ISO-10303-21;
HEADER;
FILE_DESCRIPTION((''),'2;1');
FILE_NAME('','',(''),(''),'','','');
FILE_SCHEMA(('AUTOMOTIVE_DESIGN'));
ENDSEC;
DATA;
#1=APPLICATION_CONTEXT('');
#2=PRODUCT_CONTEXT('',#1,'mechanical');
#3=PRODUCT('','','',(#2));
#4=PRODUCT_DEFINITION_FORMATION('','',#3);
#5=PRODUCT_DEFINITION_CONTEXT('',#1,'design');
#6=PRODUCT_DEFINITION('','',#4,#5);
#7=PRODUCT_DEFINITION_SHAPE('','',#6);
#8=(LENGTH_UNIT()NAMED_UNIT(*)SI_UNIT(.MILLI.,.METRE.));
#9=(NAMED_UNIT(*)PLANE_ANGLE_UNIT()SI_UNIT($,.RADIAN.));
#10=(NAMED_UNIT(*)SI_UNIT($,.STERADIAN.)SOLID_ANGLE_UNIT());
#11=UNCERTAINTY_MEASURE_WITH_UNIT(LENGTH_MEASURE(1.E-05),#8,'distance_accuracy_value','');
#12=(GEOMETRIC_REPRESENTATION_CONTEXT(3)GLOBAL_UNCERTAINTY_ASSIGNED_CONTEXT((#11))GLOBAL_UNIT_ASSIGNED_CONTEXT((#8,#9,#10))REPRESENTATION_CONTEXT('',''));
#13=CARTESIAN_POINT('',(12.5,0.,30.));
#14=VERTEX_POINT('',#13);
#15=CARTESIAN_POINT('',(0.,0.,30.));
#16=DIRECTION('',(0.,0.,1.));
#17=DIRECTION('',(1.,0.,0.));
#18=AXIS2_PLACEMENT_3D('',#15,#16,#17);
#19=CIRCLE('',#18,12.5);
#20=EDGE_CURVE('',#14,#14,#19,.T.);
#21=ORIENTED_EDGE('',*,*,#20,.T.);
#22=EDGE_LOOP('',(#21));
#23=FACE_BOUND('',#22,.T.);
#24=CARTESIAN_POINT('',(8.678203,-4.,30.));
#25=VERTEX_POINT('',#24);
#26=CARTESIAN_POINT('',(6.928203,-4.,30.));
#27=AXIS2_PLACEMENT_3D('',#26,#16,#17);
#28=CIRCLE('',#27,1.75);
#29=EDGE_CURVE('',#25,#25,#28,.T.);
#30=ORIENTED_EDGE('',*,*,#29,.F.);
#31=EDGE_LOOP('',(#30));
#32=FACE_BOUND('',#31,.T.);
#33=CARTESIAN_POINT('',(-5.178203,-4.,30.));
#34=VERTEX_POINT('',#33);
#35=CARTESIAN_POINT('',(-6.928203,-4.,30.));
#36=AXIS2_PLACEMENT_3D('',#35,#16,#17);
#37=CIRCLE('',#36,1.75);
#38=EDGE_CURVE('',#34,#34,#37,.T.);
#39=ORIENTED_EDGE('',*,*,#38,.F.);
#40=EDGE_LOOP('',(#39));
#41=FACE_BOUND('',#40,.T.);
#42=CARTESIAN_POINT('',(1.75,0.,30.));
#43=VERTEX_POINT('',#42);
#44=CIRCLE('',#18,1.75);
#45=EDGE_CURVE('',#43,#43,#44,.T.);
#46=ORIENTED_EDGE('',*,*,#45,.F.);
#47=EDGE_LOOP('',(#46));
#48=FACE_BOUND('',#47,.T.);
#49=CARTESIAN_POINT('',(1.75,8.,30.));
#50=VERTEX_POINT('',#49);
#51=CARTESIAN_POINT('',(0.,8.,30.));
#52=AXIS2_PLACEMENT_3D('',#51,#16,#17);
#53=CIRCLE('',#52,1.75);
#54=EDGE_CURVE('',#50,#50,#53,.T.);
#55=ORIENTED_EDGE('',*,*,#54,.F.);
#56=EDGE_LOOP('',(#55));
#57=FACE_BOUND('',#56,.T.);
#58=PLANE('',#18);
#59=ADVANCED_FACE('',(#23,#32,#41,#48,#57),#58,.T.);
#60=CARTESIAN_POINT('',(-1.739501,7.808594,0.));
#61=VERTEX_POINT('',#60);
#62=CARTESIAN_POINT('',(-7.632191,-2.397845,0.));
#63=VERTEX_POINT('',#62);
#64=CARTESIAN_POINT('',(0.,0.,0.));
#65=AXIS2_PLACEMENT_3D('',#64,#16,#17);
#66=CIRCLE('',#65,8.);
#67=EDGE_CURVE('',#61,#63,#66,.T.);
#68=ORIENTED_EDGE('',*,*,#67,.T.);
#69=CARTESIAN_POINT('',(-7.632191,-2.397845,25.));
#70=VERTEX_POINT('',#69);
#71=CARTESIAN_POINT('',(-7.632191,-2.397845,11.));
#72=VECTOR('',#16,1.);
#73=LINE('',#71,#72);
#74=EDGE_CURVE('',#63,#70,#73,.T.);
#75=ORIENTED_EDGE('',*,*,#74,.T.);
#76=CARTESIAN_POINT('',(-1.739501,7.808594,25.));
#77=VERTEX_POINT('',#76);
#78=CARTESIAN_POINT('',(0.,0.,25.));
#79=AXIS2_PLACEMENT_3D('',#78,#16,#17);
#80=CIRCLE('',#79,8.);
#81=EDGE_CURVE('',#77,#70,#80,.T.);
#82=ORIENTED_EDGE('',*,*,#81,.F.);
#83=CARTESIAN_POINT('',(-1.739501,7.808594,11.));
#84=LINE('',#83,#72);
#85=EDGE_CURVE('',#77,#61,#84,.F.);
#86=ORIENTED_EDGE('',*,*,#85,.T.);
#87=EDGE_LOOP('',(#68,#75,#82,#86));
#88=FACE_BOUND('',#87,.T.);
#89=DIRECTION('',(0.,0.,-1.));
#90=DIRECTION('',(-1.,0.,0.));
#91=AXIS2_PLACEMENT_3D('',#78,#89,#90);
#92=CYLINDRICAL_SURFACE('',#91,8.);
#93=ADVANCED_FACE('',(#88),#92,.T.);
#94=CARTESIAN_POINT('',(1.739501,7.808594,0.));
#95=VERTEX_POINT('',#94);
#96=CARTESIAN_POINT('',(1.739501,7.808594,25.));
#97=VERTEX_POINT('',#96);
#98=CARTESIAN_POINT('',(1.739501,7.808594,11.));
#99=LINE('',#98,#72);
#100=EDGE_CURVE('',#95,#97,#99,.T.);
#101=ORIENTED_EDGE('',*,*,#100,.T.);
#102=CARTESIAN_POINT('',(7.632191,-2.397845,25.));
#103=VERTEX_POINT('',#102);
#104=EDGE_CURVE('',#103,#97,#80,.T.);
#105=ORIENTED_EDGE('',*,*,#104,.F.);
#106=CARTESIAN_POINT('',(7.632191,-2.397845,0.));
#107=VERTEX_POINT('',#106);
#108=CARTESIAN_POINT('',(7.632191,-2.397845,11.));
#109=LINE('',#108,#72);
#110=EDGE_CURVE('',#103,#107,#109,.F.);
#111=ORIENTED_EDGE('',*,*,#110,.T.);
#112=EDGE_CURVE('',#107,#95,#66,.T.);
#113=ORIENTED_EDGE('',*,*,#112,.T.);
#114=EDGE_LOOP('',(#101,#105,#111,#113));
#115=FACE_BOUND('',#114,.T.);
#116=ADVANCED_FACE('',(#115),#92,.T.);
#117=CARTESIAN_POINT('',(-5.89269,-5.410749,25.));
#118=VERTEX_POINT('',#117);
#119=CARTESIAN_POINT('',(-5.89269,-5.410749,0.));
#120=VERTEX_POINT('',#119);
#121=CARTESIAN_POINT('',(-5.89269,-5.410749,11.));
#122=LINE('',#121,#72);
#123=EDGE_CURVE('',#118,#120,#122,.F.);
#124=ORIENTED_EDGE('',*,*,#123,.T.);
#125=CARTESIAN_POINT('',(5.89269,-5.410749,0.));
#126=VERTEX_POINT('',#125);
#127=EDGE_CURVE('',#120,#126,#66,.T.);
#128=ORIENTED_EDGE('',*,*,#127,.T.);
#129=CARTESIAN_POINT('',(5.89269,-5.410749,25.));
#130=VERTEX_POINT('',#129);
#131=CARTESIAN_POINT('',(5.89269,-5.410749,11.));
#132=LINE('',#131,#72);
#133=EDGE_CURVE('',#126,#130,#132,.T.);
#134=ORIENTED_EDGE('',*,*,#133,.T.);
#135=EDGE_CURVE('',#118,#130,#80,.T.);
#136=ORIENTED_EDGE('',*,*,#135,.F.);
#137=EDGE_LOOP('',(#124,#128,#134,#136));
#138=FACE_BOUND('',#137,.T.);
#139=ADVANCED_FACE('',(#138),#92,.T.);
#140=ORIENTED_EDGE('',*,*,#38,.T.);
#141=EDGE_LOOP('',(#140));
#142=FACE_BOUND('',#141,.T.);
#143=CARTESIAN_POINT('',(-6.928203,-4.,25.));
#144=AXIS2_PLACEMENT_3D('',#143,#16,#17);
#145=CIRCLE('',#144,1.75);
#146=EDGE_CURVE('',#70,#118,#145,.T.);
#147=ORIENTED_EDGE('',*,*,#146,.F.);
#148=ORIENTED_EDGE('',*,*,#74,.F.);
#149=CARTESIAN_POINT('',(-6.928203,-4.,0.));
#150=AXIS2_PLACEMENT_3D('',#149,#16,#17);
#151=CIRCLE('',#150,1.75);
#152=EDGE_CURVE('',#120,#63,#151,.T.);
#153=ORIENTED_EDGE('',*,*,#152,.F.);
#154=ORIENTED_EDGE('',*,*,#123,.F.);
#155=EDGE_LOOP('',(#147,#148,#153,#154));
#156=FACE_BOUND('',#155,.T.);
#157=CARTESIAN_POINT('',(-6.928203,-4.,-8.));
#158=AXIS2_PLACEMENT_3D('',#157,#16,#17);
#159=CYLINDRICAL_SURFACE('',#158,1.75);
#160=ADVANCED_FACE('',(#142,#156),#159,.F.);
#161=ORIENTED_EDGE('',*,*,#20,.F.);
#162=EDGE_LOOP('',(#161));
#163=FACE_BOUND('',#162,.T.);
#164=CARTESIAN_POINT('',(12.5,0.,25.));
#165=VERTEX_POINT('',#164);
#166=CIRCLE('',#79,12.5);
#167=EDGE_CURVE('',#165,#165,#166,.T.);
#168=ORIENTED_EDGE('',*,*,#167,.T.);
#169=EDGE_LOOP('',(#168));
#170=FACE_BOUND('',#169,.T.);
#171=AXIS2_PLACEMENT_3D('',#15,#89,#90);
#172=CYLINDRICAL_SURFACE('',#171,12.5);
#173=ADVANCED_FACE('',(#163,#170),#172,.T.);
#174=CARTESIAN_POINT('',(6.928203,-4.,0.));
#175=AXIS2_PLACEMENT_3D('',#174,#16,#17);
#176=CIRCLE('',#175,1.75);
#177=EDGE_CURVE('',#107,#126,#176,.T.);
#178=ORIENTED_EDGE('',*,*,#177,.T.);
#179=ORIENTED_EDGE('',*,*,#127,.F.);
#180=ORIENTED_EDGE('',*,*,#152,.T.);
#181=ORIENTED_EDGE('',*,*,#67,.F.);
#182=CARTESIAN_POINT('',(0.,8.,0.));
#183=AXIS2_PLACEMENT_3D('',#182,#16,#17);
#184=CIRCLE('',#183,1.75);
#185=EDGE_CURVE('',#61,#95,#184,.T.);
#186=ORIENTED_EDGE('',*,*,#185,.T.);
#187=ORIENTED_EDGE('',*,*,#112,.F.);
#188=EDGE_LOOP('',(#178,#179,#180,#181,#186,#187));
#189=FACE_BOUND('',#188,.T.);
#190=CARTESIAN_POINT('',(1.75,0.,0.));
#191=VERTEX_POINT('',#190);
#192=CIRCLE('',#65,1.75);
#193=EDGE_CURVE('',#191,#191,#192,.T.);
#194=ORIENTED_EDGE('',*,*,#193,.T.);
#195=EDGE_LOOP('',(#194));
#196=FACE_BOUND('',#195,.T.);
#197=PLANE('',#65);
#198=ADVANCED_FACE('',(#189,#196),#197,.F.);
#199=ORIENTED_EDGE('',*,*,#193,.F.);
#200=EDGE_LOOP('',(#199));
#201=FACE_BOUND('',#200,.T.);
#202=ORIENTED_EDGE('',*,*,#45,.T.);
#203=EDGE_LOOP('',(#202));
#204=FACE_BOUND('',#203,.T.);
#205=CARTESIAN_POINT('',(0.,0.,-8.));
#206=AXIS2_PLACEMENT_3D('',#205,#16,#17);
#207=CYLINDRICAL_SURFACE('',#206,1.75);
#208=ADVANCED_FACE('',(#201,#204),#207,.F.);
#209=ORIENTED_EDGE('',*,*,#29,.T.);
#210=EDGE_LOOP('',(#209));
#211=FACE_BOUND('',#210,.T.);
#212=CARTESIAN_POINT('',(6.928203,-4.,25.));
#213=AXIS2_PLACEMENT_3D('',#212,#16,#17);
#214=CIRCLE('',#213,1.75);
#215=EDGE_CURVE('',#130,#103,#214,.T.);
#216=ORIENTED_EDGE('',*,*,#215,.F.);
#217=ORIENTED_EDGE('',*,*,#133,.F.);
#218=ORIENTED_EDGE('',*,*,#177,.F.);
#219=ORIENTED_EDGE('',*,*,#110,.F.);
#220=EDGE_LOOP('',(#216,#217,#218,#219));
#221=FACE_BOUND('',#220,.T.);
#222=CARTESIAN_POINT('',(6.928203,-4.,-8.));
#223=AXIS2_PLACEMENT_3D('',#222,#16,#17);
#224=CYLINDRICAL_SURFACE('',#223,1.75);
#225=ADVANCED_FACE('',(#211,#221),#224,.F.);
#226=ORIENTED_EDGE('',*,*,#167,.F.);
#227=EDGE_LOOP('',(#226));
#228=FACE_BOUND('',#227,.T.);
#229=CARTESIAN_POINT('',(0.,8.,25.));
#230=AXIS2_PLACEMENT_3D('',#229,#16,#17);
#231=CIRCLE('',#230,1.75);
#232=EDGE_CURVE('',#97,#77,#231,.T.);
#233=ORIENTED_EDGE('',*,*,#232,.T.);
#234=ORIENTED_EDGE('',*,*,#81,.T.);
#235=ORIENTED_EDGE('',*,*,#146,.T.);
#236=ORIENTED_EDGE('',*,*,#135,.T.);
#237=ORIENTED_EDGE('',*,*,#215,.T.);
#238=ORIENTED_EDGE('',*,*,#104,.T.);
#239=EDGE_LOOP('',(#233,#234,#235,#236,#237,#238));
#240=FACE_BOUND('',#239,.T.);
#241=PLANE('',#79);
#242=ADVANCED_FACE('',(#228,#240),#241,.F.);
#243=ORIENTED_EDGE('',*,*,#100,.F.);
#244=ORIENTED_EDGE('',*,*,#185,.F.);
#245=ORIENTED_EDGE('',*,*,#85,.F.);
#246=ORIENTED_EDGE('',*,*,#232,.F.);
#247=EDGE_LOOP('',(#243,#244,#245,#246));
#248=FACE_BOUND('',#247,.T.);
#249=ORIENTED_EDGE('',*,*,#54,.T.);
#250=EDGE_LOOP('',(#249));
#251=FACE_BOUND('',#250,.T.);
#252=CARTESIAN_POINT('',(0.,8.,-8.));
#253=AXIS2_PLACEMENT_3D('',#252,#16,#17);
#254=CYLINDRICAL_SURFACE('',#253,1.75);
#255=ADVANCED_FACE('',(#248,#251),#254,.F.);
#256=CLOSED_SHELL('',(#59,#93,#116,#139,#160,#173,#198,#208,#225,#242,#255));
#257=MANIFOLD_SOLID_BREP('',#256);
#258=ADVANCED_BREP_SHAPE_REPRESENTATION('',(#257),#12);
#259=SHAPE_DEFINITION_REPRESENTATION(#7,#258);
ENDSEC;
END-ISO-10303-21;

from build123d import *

# Parameters (mm, degrees)
SKETCH_1_R          = 8
EXTRUDE_1_DEPTH     = 25
SKETCH_2_R          = 12.5
EXTRUDE_2_DEPTH     = 5
SKETCH_3_R          = 1.75
CUT_EXTRUDE_1_DEPTH = 38


with BuildPart() as part:
    # 草图1 → 凸台-拉伸1 (new body)
    with BuildSketch(Plane.XY):
        Circle(SKETCH_1_R)
    extrude(amount=EXTRUDE_1_DEPTH)

    # 草图2 → 凸台-拉伸2 (add)
    with BuildSketch(Plane.XY.offset(25)):
        Circle(SKETCH_2_R)
    extrude(amount=EXTRUDE_2_DEPTH)

    # 草图3 → 切除-拉伸1 (cut)
    with BuildSketch(Plane.XY.offset(30)):
        Circle(SKETCH_3_R)
        with Locations((0, 8)):
            Circle(SKETCH_3_R)
        with Locations((-6.92820323, -4)):
            Circle(SKETCH_3_R)
        with Locations((6.92820323, -4)):
            Circle(SKETCH_3_R)
    extrude(amount=-CUT_EXTRUDE_1_DEPTH, mode=Mode.SUBTRACT)


solid = part.part
